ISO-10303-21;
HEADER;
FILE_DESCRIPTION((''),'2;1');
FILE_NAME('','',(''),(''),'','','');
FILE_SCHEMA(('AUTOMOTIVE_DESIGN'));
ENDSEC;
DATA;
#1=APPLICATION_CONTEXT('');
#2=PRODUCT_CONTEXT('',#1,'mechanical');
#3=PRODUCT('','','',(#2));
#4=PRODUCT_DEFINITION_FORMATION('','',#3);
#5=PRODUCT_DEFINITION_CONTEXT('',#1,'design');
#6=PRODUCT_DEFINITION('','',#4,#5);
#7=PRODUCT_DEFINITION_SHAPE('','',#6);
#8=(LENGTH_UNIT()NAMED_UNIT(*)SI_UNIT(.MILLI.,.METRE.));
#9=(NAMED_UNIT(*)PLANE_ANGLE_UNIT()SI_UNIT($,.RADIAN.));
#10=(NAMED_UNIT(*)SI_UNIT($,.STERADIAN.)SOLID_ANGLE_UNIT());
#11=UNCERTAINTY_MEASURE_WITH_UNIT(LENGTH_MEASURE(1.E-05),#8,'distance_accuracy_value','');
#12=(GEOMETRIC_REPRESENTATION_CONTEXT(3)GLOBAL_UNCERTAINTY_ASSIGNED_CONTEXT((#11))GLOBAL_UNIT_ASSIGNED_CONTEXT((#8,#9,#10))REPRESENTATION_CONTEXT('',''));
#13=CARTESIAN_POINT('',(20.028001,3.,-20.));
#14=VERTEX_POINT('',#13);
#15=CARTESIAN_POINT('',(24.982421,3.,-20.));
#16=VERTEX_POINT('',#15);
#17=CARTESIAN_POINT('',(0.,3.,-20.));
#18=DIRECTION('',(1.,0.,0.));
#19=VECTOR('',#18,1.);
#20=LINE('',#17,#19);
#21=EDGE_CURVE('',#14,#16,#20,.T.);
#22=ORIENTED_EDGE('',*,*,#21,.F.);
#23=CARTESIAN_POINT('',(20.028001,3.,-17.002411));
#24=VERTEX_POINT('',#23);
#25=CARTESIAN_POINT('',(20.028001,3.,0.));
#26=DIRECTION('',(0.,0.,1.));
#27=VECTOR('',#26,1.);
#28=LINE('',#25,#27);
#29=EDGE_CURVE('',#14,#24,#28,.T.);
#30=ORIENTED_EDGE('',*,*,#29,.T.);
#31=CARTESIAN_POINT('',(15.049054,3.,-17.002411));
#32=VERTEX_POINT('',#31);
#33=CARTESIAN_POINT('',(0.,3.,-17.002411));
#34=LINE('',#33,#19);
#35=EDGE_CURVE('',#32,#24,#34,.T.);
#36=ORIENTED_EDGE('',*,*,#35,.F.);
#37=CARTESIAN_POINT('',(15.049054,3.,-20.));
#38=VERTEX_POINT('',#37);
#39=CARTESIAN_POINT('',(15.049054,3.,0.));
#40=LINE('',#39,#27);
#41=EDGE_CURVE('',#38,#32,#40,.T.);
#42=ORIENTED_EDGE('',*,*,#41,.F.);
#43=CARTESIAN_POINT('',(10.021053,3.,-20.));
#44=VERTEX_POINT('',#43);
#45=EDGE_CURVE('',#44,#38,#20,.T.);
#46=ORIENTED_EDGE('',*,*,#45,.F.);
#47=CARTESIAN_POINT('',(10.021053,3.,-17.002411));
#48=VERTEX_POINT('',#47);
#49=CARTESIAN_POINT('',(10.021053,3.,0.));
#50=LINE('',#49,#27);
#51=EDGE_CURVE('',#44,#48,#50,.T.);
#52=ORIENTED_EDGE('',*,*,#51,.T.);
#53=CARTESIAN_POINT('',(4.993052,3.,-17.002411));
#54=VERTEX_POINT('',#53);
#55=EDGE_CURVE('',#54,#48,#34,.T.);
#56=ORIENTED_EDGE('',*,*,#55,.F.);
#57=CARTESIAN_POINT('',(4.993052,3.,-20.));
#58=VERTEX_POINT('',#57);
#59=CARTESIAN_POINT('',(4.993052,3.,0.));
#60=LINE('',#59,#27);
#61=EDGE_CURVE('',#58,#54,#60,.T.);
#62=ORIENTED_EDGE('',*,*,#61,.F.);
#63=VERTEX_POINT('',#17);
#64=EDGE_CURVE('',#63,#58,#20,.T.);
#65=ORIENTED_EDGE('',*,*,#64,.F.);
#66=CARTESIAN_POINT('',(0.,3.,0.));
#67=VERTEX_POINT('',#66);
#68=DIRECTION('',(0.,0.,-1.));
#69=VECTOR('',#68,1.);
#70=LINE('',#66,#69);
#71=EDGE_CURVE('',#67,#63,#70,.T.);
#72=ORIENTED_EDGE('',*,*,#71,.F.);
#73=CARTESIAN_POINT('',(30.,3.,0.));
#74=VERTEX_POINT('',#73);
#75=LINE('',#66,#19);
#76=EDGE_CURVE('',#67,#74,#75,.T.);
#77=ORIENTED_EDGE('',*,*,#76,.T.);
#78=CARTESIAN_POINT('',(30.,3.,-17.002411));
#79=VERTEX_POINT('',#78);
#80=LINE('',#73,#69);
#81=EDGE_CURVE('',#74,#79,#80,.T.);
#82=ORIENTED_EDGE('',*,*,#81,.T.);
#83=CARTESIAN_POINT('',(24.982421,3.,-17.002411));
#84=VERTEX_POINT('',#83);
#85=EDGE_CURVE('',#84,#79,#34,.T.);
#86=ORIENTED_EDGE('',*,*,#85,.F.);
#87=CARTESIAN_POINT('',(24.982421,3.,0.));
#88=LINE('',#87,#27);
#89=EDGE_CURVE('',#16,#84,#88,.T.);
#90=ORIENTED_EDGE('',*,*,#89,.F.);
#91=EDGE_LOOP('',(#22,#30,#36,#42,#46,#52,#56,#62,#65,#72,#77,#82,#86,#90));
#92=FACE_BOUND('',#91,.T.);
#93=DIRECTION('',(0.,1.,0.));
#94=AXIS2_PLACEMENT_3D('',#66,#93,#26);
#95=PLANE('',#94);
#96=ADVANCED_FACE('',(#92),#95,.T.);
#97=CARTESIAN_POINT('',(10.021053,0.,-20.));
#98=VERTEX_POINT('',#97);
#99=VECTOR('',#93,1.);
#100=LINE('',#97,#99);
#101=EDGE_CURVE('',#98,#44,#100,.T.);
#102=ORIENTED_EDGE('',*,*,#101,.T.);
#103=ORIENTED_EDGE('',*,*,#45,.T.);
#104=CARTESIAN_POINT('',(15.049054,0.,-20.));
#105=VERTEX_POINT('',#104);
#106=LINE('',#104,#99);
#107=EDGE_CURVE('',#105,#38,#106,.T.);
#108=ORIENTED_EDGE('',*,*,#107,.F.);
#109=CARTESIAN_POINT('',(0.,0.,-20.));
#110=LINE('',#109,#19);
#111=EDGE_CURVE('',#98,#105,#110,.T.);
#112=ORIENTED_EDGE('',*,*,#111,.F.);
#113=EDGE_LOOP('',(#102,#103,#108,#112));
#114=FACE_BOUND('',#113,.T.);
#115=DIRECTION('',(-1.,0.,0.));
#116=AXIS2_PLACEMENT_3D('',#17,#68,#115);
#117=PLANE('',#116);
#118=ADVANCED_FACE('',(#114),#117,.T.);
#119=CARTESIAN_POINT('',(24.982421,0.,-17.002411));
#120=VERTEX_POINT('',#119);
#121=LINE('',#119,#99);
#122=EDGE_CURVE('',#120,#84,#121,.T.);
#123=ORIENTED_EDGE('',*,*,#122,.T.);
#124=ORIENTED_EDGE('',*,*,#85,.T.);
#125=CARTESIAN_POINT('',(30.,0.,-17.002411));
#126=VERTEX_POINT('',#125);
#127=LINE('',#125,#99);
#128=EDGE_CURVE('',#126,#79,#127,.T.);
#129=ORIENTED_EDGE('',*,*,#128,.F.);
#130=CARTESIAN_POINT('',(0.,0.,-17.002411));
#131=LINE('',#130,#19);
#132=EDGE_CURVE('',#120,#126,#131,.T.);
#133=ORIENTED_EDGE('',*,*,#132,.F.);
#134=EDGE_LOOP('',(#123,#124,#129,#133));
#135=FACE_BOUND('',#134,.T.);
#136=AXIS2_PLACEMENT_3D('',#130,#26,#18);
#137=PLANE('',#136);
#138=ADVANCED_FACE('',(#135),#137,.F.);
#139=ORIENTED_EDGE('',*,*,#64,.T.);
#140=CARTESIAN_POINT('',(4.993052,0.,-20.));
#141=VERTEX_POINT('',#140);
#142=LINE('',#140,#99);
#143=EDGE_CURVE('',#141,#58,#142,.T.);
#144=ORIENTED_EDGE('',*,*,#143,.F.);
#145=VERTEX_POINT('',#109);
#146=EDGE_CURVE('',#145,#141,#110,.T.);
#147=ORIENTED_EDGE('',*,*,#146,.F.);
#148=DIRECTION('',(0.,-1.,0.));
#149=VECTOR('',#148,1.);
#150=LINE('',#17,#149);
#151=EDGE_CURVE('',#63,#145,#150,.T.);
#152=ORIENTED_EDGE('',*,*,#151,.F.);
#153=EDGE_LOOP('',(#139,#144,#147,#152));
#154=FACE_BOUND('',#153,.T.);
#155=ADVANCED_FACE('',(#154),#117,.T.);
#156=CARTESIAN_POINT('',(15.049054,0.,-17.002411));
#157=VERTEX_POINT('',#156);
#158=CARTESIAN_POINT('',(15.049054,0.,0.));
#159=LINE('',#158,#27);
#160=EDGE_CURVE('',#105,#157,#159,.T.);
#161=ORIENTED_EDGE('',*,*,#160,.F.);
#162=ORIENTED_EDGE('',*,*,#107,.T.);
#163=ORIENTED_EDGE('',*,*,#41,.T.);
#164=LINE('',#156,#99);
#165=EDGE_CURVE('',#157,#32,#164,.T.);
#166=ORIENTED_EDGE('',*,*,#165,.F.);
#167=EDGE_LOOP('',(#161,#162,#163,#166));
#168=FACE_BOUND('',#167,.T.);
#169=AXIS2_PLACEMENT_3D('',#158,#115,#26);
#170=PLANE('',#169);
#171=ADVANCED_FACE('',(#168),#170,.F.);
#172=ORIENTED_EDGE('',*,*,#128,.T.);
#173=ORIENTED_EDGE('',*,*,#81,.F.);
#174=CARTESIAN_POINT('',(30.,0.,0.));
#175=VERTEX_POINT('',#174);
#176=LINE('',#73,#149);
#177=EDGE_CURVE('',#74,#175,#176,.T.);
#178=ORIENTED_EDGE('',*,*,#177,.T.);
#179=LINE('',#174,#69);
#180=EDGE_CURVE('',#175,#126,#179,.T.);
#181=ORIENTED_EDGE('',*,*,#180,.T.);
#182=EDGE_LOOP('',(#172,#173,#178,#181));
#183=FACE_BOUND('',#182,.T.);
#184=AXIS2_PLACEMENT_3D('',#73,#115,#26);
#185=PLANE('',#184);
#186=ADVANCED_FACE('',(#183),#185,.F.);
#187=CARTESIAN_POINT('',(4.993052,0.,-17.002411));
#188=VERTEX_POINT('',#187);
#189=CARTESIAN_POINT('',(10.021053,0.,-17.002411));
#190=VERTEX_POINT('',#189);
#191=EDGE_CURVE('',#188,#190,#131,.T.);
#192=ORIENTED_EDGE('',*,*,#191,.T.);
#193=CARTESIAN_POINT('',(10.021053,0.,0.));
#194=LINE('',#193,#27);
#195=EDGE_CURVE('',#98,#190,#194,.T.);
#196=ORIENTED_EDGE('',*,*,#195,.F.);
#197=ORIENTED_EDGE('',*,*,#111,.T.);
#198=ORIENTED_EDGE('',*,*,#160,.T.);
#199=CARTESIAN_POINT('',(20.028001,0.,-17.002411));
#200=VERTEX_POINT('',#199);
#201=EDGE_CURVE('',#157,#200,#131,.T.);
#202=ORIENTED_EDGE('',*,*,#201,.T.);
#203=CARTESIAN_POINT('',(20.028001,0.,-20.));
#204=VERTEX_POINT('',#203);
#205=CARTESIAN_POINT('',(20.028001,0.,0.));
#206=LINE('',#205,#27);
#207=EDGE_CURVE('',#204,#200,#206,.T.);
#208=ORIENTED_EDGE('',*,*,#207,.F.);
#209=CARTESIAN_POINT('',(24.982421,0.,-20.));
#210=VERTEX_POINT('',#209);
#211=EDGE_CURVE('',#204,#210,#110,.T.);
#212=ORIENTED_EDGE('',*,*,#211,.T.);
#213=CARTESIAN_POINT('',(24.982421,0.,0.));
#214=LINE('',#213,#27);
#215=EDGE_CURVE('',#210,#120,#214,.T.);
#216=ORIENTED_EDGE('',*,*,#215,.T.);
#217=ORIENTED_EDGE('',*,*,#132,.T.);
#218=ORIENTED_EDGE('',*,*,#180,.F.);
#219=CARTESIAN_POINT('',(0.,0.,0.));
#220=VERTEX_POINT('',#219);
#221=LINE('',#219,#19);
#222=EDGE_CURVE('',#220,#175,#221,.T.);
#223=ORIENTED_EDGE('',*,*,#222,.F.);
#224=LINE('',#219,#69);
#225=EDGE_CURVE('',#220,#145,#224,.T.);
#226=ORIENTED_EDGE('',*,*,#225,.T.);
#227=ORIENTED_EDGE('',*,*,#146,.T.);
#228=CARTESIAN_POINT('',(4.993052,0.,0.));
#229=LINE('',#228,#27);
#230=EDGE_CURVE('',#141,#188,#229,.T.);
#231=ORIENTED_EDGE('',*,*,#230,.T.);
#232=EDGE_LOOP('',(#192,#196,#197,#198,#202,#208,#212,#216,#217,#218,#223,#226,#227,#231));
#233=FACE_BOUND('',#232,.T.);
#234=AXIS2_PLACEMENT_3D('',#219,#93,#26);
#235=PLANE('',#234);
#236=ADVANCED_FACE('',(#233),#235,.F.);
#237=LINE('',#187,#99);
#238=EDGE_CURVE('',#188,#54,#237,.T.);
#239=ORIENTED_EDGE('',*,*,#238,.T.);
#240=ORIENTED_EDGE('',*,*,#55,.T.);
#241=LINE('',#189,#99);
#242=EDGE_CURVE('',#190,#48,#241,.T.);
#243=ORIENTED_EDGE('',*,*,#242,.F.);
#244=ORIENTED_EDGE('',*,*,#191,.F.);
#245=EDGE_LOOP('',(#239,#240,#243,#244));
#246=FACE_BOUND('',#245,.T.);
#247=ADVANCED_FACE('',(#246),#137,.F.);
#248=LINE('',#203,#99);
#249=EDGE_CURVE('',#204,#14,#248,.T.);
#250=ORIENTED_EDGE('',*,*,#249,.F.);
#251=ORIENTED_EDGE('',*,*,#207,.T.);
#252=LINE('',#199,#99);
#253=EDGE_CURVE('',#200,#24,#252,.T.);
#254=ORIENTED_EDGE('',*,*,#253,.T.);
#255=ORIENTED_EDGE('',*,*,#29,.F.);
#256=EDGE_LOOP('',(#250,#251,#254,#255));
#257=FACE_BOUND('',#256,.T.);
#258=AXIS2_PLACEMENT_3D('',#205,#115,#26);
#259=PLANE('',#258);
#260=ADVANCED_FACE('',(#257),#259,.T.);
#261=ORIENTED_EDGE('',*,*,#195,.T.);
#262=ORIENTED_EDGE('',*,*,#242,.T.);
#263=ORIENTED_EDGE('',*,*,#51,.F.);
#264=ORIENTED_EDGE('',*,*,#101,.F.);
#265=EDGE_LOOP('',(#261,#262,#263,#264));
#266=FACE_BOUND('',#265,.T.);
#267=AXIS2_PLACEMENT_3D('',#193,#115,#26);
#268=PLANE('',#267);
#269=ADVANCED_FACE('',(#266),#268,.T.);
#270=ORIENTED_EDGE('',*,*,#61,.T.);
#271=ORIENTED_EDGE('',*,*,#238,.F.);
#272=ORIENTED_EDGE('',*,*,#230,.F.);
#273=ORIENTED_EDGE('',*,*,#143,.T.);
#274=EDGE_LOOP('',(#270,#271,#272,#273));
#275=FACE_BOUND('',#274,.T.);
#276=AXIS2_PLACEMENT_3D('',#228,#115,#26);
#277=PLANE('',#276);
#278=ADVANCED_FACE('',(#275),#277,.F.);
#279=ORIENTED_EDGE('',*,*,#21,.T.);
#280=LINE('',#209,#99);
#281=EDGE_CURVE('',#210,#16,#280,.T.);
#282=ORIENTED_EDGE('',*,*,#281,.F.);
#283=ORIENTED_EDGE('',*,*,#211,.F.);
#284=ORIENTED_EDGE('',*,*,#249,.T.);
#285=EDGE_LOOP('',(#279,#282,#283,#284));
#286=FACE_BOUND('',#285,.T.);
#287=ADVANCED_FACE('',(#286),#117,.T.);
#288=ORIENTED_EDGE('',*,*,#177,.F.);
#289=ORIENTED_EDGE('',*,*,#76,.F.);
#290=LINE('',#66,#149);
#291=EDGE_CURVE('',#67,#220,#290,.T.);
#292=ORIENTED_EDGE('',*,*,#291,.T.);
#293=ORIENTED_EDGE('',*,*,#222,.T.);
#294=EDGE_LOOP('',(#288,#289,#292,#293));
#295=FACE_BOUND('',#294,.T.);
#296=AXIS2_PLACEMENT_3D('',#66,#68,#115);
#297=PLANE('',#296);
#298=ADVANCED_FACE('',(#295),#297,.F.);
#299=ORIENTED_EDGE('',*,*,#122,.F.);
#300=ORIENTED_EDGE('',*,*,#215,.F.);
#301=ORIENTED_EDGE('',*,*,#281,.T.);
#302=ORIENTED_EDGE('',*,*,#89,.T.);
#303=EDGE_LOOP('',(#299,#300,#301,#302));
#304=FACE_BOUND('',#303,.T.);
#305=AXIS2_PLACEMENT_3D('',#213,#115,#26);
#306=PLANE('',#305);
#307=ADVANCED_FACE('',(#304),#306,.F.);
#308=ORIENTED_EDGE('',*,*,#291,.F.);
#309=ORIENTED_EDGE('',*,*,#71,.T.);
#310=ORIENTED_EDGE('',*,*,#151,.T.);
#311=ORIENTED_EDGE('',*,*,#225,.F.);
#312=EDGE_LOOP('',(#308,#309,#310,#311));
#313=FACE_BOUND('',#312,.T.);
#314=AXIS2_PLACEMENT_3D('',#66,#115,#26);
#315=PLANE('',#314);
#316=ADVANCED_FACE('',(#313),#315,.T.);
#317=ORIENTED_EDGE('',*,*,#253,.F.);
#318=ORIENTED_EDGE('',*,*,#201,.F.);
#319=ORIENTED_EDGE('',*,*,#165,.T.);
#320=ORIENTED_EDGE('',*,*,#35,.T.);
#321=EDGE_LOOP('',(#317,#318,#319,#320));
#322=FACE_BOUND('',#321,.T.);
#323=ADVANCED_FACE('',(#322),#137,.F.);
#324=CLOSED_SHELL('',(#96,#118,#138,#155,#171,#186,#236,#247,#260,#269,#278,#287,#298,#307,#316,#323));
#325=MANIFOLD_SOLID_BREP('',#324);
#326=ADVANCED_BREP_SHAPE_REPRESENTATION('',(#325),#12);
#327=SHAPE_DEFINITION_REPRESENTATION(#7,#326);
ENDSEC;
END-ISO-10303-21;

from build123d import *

# Parameters (mm, degrees)
SKETCH1_W           = 30
SKETCH1_H           = 20
BOSS_EXTRUDE1_DEPTH = 3
SKETCH2_W           = 5.028000652
SKETCH2_H           = 2.997589337
SKETCH2_W_2         = 4.978946986
SKETCH2_W_3         = 5.017579195
CUT_EXTRUDE1_DEPTH  = 3


with BuildPart() as part:
    # Sketch1 → Boss-Extrude1 (new body)
    with BuildSketch(Plane(origin=(0, 0, 0), x_dir=(1, 0, 0), z_dir=(0, 1, 0))):
        with Locations((15, 10)):
            Rectangle(SKETCH1_W, SKETCH1_H)
    extrude(amount=BOSS_EXTRUDE1_DEPTH)

    # Sketch2 → Cut-Extrude1 (cut)
    with BuildSketch(Plane(origin=(0, 3, 0), x_dir=(1, 0, 0), z_dir=(0, 1, 0))):
        with Locations((7.507052688, 18.501205332)):
            Rectangle(SKETCH2_W, SKETCH2_H)
        with Locations((17.538527158, 18.501205332)):
            Rectangle(SKETCH2_W_2, SKETCH2_H)
        with Locations((27.491210403, 18.501205332)):
            Rectangle(SKETCH2_W_3, SKETCH2_H)
    extrude(amount=-CUT_EXTRUDE1_DEPTH, mode=Mode.SUBTRACT)


solid = part.part
